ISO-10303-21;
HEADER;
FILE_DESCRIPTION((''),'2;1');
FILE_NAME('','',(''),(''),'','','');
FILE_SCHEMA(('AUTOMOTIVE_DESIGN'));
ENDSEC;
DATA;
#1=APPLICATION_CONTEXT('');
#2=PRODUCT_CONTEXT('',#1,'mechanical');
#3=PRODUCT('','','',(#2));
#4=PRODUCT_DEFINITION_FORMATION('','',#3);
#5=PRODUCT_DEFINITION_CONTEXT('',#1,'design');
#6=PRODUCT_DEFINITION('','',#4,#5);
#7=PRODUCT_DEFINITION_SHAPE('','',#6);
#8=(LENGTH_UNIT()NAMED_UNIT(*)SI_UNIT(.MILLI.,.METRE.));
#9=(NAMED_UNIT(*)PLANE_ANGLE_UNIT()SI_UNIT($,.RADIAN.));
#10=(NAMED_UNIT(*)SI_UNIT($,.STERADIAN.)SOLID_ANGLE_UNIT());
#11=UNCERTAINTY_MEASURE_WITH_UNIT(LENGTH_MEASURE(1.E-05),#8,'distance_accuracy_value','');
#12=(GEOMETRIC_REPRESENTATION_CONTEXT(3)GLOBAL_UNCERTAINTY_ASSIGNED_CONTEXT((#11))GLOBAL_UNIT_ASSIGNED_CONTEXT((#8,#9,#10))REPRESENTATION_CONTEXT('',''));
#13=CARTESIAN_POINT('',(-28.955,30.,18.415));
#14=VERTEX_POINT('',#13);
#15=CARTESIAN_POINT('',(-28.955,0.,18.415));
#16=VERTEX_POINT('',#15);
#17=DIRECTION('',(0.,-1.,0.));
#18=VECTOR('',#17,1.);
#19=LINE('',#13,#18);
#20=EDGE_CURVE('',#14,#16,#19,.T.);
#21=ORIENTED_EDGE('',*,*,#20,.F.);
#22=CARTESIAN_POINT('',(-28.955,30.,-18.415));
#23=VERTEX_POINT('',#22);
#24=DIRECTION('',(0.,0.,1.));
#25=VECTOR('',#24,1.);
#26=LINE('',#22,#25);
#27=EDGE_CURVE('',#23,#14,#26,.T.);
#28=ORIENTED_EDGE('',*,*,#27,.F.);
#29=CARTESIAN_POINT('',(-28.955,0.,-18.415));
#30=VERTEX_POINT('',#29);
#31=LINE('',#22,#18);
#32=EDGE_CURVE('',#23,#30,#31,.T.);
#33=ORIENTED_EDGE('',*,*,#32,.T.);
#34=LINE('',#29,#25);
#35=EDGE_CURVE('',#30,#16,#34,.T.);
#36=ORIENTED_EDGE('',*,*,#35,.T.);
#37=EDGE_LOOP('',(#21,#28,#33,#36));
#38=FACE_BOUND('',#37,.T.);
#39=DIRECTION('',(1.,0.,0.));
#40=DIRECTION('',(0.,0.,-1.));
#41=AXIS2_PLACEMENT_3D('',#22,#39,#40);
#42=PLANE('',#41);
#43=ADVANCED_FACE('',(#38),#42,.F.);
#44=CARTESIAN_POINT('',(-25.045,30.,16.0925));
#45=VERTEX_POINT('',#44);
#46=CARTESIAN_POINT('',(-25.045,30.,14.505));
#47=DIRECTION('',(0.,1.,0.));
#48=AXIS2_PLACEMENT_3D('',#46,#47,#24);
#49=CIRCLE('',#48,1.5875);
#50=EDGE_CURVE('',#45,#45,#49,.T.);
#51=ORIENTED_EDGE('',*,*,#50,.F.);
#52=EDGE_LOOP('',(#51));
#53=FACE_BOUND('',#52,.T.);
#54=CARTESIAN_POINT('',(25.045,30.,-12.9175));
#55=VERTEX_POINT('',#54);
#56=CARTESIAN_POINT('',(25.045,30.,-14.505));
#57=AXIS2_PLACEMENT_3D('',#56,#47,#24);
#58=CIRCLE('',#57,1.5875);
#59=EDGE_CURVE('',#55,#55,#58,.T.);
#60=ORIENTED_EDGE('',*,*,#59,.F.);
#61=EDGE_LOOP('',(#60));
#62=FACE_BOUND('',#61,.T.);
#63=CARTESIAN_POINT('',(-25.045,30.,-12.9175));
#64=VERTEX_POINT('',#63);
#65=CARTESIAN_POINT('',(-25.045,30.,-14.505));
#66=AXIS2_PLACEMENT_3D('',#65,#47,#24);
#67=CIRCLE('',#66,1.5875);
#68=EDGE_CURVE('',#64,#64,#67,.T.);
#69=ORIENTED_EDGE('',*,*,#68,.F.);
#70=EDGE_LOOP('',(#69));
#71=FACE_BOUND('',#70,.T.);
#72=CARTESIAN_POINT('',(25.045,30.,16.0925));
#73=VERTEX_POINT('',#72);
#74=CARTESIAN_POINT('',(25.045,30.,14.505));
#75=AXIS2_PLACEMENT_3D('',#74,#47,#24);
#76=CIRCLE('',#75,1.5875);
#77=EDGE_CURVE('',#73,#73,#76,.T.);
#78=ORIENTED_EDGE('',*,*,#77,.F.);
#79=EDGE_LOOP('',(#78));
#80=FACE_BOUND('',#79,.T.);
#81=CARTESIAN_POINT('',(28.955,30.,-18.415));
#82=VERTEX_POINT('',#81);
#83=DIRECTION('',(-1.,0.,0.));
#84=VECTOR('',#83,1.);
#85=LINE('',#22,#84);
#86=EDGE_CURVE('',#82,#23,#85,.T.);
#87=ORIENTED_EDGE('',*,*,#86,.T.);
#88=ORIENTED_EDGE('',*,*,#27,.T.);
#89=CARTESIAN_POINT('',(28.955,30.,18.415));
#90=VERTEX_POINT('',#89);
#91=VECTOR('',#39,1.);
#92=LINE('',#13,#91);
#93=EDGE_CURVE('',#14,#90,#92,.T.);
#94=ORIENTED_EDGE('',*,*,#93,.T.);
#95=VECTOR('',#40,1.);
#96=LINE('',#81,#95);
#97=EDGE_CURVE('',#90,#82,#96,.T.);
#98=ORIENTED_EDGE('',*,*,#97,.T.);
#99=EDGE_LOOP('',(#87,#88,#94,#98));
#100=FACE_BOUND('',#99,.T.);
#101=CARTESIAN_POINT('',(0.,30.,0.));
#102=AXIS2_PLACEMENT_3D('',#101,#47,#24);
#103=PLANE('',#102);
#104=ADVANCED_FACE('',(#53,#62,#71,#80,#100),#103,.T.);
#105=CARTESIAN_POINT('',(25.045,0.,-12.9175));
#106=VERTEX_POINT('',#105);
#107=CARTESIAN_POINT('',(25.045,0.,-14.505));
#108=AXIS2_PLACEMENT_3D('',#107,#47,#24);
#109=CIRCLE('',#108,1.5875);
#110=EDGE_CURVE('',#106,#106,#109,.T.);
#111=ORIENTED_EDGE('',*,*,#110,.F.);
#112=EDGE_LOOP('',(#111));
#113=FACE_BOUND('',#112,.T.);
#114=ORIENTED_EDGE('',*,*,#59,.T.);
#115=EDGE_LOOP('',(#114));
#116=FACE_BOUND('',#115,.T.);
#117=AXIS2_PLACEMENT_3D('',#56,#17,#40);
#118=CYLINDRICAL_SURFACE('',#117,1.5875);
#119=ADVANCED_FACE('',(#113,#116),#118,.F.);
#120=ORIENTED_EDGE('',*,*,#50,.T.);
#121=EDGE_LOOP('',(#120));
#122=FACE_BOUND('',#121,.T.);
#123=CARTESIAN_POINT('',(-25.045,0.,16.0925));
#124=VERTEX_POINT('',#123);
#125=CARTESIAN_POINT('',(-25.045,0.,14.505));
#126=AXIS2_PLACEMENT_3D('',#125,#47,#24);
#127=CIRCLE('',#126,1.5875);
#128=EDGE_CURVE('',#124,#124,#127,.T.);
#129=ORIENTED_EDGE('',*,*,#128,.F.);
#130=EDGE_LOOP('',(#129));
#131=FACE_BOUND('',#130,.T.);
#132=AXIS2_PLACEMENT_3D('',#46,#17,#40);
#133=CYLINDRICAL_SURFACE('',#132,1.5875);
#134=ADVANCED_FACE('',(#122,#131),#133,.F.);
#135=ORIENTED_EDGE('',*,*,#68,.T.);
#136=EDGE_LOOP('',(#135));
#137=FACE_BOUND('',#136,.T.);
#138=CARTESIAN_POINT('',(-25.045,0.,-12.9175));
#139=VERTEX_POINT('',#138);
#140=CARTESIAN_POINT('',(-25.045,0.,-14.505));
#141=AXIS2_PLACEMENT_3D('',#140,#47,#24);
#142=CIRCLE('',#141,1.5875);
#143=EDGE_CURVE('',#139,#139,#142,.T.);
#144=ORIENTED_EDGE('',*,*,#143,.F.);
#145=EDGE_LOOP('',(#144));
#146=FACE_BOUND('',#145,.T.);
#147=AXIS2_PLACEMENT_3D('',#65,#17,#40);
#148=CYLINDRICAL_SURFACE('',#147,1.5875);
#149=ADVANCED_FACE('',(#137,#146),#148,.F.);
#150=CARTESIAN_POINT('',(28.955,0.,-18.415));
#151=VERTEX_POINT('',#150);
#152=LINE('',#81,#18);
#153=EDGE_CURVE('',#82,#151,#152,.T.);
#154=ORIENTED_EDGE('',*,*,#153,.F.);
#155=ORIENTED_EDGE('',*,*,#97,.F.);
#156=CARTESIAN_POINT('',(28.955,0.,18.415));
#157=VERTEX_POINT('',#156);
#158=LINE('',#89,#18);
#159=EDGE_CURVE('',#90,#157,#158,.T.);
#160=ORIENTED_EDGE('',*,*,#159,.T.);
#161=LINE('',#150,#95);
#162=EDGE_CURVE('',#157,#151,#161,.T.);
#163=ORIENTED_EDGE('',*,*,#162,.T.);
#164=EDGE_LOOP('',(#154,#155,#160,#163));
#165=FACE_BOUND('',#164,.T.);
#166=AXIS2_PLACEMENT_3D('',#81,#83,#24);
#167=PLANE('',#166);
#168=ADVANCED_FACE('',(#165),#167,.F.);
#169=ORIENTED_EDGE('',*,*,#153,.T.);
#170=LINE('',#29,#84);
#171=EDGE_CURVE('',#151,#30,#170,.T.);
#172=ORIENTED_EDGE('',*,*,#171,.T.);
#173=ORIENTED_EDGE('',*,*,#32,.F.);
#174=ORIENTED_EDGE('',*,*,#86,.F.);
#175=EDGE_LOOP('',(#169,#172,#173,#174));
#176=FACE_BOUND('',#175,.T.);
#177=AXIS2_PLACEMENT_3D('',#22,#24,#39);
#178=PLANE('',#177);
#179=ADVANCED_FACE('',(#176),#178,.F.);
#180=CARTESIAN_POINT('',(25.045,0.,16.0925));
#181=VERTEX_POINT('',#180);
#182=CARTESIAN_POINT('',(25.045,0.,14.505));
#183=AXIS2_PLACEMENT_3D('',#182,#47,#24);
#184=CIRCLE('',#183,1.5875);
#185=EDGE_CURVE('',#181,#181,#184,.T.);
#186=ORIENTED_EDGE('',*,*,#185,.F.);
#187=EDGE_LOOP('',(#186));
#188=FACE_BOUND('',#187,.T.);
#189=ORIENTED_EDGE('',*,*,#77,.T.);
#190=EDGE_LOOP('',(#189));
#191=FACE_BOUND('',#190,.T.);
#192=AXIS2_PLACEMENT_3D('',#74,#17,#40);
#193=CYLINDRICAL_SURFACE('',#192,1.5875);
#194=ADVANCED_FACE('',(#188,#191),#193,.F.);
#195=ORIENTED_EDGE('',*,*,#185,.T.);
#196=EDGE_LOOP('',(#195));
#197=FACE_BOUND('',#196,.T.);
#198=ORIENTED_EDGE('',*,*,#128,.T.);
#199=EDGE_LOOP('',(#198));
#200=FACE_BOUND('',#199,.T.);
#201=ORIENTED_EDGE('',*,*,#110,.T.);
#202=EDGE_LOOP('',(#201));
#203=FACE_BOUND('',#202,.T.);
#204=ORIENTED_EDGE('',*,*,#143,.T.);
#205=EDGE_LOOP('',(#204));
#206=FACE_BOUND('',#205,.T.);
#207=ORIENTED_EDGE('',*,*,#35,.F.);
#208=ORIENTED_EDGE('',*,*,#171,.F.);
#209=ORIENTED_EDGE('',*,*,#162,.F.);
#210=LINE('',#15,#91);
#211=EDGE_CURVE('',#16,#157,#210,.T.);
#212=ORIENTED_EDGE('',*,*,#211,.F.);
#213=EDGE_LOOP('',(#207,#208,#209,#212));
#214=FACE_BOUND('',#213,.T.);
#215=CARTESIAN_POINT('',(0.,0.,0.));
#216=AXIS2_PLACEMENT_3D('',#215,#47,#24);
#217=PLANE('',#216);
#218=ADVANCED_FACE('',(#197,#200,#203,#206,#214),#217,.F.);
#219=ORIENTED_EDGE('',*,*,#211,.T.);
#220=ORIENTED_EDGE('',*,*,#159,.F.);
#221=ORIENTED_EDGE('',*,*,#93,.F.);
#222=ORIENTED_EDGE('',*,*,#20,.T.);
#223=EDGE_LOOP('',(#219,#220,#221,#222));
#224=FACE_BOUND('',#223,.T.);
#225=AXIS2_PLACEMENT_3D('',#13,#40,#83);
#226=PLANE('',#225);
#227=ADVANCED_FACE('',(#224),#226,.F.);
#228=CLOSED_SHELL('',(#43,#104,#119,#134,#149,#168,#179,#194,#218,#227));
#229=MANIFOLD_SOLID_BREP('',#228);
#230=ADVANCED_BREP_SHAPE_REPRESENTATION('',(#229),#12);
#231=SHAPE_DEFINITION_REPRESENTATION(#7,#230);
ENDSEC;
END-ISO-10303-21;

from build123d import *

# Parameters (mm, degrees)
SKETCH1_W           = 57.91
SKETCH1_H           = 36.83
SKETCH1_R           = 1.5875
BOSS_EXTRUDE1_DEPTH = 30


with BuildPart() as part:
    # Sketch1 → Boss-Extrude1 (new body)
    with BuildSketch(Plane(origin=(0, 0, 0), x_dir=(1, 0, 0), z_dir=(0, 1, 0))):
        Rectangle(SKETCH1_W, SKETCH1_H)
        with Locations(Location((-25.045, 14.505, 0), (0, 0, 270))):
            Circle(SKETCH1_R, mode=Mode.SUBTRACT)
        with Locations(Location((25.045, 14.505, 0), (0, 0, 270))):
            Circle(SKETCH1_R, mode=Mode.SUBTRACT)
        with Locations(Location((25.045, -14.505, 0), (0, 0, 270))):
            Circle(SKETCH1_R, mode=Mode.SUBTRACT)
        with Locations(Location((-25.045, -14.505, 0), (0, 0, 270))):
            Circle(SKETCH1_R, mode=Mode.SUBTRACT)
    extrude(amount=BOSS_EXTRUDE1_DEPTH)


solid = part.part
